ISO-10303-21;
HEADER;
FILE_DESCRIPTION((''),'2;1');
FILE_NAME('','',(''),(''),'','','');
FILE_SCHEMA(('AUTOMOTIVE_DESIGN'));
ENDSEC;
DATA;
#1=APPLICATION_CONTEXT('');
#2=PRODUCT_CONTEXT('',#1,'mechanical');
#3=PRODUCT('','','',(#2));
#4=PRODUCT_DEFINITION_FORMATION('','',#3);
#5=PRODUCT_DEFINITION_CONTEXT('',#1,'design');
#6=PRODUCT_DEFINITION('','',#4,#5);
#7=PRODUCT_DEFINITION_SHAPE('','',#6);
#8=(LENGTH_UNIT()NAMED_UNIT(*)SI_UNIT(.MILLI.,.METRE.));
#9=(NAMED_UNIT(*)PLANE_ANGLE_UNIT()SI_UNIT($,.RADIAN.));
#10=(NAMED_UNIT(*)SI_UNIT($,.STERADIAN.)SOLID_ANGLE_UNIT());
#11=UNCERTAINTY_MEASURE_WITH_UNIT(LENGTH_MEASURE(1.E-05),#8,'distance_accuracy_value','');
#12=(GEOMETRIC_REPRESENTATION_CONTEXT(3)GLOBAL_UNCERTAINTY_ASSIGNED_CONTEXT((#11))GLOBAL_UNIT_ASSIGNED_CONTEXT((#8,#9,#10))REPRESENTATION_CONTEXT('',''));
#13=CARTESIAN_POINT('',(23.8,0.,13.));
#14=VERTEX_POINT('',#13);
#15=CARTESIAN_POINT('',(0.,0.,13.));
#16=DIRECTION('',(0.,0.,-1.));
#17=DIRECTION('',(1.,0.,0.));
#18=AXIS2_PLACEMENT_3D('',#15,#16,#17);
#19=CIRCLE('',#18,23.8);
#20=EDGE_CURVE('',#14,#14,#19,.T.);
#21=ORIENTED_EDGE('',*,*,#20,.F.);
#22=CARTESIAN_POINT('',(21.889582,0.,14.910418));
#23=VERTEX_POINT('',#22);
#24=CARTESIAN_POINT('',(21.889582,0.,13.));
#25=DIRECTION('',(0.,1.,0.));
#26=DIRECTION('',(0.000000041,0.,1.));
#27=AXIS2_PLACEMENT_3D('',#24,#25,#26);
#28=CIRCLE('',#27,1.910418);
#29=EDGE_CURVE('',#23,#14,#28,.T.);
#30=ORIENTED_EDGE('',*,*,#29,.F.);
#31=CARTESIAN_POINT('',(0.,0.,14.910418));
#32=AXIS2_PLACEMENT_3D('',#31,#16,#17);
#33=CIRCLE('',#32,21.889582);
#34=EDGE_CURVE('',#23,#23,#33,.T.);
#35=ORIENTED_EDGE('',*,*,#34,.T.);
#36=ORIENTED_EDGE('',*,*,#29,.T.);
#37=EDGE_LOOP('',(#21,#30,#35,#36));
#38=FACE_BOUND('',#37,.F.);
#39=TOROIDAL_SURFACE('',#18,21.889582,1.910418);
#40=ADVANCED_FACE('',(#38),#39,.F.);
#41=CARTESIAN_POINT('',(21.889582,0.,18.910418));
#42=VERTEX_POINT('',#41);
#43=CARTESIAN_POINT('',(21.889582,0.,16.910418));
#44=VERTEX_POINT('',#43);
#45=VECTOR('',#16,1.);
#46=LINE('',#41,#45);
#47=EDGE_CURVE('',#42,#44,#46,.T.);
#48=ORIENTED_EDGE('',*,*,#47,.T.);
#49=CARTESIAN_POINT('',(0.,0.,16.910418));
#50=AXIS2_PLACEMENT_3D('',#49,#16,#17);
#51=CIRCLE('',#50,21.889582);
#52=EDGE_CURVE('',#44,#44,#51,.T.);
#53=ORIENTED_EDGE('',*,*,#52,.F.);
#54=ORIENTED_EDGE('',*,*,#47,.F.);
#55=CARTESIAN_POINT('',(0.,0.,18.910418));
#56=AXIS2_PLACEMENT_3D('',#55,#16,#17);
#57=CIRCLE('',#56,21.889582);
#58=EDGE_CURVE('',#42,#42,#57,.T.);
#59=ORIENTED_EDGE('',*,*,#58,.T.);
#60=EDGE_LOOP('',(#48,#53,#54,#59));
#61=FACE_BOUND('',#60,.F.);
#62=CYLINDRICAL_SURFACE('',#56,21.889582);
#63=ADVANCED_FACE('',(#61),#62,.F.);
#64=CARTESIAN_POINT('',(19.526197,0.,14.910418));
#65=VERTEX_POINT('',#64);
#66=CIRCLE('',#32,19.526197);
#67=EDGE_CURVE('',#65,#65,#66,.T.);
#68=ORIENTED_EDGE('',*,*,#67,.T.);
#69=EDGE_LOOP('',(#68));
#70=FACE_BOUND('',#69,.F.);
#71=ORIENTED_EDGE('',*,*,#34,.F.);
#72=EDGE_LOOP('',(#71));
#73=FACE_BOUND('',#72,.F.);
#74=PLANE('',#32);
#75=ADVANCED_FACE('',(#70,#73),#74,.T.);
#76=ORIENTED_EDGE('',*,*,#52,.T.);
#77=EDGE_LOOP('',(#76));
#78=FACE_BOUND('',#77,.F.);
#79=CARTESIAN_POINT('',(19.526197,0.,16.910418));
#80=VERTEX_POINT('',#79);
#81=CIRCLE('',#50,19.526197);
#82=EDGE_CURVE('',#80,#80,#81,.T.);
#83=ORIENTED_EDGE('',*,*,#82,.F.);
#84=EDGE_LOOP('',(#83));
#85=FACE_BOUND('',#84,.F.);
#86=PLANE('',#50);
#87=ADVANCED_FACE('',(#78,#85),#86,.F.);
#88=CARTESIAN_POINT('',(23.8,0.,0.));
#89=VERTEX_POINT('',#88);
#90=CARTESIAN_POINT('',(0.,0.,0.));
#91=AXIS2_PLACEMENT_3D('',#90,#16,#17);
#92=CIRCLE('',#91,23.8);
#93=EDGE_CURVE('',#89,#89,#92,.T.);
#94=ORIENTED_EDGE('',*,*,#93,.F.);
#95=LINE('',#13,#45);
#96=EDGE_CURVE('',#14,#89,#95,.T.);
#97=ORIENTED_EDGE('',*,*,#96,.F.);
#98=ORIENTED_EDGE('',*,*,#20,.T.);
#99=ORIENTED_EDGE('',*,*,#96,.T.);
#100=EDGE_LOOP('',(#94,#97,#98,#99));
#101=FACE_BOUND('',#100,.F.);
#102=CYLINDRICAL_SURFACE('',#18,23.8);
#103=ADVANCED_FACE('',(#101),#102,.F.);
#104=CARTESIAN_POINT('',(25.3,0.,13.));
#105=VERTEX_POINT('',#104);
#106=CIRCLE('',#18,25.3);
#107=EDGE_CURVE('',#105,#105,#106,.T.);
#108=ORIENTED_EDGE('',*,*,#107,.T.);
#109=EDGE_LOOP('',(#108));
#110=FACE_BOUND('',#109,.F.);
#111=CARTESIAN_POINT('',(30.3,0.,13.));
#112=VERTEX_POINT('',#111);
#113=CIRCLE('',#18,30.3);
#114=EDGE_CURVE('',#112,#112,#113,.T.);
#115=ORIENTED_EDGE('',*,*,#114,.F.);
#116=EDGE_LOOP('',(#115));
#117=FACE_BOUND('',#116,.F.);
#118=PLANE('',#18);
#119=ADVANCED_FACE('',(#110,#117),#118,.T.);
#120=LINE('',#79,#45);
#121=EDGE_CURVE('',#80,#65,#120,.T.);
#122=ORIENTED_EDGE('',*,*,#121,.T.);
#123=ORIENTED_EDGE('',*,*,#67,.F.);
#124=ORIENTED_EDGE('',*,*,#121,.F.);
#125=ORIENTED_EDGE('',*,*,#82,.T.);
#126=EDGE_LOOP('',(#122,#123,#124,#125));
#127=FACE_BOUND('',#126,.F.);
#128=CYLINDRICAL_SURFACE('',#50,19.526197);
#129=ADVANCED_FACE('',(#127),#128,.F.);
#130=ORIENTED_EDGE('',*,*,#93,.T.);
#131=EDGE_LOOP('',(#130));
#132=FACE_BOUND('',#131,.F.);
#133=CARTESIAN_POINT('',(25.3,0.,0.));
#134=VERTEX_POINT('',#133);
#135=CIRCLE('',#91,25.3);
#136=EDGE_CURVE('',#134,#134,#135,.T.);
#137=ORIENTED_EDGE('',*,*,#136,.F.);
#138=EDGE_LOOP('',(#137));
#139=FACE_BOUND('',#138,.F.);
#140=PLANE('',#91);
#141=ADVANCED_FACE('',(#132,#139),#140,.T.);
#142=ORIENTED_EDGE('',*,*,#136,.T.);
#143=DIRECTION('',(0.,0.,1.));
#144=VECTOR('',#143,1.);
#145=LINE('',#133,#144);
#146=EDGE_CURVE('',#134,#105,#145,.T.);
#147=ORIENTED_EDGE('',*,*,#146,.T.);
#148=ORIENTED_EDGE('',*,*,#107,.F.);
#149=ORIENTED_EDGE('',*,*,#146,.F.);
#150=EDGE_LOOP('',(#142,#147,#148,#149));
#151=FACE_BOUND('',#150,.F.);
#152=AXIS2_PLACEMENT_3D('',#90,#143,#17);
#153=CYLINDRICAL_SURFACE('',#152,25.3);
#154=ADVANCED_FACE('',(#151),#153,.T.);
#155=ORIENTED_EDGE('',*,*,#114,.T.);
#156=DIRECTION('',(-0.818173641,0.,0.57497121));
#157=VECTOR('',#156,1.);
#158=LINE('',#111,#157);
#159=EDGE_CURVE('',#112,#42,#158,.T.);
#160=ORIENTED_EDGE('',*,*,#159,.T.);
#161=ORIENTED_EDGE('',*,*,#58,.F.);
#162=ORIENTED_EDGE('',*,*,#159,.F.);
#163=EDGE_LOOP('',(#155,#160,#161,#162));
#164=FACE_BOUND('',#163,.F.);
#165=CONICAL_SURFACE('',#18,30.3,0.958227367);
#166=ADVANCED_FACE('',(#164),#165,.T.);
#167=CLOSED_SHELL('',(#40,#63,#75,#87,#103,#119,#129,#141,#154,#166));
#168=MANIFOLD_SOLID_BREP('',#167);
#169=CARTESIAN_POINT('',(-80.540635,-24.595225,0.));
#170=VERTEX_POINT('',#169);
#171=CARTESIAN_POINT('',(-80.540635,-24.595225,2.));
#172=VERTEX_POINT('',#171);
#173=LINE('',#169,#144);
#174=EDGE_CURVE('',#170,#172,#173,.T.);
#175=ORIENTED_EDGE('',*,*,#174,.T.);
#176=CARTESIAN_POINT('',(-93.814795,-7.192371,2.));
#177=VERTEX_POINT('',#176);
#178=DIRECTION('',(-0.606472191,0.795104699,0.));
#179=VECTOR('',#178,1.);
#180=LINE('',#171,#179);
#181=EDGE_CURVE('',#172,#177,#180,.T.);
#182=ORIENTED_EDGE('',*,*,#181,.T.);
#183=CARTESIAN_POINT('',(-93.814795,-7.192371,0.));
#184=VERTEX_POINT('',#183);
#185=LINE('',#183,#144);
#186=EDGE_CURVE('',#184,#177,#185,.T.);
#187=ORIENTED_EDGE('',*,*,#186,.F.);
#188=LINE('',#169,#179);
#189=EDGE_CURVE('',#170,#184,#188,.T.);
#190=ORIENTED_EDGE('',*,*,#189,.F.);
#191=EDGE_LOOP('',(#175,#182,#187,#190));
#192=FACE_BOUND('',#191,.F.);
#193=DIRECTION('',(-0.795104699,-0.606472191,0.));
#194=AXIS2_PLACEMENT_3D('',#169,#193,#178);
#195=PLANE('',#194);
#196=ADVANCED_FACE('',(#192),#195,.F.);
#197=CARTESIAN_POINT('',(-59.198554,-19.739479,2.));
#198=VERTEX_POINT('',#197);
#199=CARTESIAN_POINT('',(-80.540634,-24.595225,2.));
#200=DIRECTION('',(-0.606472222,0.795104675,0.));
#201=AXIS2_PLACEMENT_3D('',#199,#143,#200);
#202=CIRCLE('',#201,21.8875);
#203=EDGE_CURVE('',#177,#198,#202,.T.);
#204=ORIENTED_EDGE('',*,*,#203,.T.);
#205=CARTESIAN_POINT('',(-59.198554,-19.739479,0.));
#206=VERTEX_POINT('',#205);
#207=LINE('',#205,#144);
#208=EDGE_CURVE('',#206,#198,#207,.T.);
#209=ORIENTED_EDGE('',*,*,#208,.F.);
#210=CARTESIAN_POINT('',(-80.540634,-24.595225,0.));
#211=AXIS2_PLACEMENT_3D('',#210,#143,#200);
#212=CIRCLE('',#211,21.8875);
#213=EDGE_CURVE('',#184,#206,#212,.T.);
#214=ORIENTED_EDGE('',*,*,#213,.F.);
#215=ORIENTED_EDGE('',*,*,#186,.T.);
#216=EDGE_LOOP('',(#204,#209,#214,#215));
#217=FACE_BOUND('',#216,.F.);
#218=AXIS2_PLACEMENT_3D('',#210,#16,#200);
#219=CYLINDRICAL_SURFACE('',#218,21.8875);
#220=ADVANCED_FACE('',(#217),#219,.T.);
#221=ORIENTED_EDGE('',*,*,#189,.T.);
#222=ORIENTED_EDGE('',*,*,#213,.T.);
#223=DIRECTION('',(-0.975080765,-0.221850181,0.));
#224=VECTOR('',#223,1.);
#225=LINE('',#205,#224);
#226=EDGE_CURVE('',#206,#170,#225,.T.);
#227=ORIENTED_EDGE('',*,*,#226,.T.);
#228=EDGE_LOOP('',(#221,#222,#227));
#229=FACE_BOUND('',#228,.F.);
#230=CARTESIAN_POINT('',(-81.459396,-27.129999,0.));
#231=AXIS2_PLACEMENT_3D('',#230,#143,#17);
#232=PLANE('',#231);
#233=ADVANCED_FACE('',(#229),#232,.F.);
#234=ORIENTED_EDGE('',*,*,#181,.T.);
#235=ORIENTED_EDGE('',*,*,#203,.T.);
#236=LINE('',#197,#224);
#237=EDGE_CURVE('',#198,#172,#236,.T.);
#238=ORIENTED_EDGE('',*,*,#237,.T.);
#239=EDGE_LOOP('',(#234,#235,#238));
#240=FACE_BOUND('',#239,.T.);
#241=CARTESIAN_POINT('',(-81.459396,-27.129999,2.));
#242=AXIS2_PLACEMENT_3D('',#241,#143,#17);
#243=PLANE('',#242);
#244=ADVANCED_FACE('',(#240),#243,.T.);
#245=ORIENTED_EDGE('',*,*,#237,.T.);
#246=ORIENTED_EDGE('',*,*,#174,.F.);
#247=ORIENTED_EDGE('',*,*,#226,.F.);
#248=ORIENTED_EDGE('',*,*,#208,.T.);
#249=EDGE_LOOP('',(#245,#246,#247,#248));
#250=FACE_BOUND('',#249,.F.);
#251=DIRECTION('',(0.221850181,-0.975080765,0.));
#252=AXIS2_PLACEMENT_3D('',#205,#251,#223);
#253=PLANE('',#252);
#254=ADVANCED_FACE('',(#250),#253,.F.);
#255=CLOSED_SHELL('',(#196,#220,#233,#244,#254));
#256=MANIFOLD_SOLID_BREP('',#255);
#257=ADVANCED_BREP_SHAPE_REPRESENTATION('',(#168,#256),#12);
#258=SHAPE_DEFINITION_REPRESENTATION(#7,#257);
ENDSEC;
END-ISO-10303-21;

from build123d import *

# Parameters (mm, degrees)
F3_DEPTH = 2


with BuildPart() as f1:
    # F0 (on Front) → F1 (revolve)
    with BuildSketch(Plane.XZ):
        with BuildLine():
            Line((23.8, 13), (23.8, 0))
            Line((23.8, 0), (25.3, 0))
            Line((25.3, 0), (25.3, 13))
            Line((25.3, 13), (30.3, 13))
            Line((30.3, 13), (21.889582, 18.910418))
            Line((21.889582, 18.910418), (21.889582, 16.910418))
            Line((21.889582, 16.910418), (19.526197, 16.910418))
            Line((19.526197, 16.910418), (19.526197, 14.910418))
            Line((19.526197, 14.910418), (21.889582, 14.910418))
            ThreePointArc((21.889582, 14.910418), (23.240451, 14.35087), (23.8, 13))
        make_face()
    revolve(axis=Axis((0, 0, 4.076657), (0, 0, -1)))


with BuildPart() as f3:
    # F2 (on Top) → F3 (new body)
    with BuildSketch(Plane.XY):
        with BuildLine():
            Line((-80.540635, -24.595225), (-93.814795, -7.192371))
            ThreePointArc((-93.814795, -7.192371), (-87.999208, -45.172696), (-59.198554, -19.739479))
            Line((-59.198554, -19.739479), (-80.540635, -24.595225))
        make_face()
    extrude(amount=F3_DEPTH)


solid = Compound([f1.part, f3.part])
